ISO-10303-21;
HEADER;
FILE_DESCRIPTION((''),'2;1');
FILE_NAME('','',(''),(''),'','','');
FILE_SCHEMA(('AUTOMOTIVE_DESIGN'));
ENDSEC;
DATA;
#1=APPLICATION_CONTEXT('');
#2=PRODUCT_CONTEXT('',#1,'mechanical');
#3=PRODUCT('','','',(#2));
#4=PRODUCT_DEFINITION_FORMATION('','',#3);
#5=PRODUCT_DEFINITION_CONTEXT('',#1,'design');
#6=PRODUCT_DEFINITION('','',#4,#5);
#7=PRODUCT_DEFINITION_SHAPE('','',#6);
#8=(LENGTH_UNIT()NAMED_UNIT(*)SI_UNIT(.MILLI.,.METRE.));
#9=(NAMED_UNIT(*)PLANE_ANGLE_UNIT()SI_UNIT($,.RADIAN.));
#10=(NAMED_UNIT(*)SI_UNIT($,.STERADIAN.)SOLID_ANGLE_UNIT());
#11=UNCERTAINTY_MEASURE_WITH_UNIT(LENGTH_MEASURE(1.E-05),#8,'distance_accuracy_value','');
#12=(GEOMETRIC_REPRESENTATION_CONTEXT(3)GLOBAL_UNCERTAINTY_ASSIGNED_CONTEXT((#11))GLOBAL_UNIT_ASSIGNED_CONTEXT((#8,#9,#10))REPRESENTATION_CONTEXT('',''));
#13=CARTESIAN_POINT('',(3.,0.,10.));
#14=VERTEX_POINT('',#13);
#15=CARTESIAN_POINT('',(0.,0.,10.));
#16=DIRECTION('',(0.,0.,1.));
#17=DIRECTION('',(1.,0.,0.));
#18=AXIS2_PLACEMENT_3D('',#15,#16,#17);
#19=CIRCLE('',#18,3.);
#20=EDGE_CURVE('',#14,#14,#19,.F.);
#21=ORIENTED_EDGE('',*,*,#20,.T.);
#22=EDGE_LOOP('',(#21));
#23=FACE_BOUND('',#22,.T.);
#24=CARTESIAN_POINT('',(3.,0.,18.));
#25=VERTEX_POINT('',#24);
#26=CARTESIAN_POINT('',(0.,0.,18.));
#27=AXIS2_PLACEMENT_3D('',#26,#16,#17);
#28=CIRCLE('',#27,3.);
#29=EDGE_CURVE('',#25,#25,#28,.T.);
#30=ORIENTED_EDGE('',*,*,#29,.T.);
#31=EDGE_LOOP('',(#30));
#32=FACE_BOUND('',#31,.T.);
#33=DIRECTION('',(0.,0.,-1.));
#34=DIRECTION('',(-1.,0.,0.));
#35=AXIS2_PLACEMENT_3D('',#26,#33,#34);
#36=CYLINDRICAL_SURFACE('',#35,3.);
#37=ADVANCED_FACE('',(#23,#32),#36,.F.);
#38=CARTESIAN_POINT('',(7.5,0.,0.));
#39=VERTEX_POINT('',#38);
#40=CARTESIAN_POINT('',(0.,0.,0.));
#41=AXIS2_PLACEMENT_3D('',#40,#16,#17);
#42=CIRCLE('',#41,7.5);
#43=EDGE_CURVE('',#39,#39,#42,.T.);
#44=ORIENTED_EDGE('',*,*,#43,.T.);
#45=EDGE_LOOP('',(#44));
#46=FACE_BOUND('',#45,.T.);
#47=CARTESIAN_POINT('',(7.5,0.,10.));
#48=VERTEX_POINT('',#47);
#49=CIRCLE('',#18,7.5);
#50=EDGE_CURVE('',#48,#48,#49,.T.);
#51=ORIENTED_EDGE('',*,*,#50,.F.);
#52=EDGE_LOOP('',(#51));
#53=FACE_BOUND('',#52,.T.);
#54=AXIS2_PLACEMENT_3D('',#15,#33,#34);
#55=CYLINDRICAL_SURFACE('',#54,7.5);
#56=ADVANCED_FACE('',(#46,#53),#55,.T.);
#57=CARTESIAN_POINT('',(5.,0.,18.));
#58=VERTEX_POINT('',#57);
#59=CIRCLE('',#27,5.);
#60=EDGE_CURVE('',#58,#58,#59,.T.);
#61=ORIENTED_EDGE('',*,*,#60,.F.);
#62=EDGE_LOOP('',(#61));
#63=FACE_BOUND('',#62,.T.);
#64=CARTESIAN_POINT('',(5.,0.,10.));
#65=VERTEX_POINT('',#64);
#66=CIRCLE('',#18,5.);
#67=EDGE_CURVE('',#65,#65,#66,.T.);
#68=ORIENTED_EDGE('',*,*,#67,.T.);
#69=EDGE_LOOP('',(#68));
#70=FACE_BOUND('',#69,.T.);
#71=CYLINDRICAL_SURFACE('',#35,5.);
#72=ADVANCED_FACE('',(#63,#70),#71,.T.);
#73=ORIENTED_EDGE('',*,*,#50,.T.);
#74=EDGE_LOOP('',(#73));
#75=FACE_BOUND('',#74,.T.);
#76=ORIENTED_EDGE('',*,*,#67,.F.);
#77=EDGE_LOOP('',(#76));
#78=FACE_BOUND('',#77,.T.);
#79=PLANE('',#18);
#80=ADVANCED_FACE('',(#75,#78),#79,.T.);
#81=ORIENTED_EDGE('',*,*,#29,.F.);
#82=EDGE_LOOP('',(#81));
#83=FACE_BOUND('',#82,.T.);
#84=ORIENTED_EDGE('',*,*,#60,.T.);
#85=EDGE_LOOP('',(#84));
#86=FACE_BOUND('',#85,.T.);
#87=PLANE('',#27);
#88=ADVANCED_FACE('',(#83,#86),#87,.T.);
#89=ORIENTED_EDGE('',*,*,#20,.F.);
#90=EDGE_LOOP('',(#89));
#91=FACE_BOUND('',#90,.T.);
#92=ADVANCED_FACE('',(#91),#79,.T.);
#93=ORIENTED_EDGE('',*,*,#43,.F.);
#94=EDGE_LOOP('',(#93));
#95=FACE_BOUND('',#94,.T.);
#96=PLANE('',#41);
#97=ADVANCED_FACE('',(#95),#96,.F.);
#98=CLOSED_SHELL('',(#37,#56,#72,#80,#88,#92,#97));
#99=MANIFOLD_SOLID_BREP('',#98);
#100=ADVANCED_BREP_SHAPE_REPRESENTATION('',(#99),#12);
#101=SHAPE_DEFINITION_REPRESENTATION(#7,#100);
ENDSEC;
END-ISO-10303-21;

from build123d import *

# Parameters (mm, degrees)
SKETCH_1_R      = 7.5
EXTRUDE_1_DEPTH = 10
SKETCH_2_R      = 5
SKETCH_2_R_2    = 3
EXTRUDE_2_DEPTH = 8


with BuildPart() as part:
    # 草图1 → 凸台-拉伸1 (new body)
    with BuildSketch(Plane.XY):
        Circle(SKETCH_1_R)
    extrude(amount=EXTRUDE_1_DEPTH)

    # 草图2 → 凸台-拉伸2 (add)
    with BuildSketch(Plane.XY.offset(10)):
        Circle(SKETCH_2_R)
        Circle(SKETCH_2_R_2, mode=Mode.SUBTRACT)
    extrude(amount=EXTRUDE_2_DEPTH)


solid = part.part
